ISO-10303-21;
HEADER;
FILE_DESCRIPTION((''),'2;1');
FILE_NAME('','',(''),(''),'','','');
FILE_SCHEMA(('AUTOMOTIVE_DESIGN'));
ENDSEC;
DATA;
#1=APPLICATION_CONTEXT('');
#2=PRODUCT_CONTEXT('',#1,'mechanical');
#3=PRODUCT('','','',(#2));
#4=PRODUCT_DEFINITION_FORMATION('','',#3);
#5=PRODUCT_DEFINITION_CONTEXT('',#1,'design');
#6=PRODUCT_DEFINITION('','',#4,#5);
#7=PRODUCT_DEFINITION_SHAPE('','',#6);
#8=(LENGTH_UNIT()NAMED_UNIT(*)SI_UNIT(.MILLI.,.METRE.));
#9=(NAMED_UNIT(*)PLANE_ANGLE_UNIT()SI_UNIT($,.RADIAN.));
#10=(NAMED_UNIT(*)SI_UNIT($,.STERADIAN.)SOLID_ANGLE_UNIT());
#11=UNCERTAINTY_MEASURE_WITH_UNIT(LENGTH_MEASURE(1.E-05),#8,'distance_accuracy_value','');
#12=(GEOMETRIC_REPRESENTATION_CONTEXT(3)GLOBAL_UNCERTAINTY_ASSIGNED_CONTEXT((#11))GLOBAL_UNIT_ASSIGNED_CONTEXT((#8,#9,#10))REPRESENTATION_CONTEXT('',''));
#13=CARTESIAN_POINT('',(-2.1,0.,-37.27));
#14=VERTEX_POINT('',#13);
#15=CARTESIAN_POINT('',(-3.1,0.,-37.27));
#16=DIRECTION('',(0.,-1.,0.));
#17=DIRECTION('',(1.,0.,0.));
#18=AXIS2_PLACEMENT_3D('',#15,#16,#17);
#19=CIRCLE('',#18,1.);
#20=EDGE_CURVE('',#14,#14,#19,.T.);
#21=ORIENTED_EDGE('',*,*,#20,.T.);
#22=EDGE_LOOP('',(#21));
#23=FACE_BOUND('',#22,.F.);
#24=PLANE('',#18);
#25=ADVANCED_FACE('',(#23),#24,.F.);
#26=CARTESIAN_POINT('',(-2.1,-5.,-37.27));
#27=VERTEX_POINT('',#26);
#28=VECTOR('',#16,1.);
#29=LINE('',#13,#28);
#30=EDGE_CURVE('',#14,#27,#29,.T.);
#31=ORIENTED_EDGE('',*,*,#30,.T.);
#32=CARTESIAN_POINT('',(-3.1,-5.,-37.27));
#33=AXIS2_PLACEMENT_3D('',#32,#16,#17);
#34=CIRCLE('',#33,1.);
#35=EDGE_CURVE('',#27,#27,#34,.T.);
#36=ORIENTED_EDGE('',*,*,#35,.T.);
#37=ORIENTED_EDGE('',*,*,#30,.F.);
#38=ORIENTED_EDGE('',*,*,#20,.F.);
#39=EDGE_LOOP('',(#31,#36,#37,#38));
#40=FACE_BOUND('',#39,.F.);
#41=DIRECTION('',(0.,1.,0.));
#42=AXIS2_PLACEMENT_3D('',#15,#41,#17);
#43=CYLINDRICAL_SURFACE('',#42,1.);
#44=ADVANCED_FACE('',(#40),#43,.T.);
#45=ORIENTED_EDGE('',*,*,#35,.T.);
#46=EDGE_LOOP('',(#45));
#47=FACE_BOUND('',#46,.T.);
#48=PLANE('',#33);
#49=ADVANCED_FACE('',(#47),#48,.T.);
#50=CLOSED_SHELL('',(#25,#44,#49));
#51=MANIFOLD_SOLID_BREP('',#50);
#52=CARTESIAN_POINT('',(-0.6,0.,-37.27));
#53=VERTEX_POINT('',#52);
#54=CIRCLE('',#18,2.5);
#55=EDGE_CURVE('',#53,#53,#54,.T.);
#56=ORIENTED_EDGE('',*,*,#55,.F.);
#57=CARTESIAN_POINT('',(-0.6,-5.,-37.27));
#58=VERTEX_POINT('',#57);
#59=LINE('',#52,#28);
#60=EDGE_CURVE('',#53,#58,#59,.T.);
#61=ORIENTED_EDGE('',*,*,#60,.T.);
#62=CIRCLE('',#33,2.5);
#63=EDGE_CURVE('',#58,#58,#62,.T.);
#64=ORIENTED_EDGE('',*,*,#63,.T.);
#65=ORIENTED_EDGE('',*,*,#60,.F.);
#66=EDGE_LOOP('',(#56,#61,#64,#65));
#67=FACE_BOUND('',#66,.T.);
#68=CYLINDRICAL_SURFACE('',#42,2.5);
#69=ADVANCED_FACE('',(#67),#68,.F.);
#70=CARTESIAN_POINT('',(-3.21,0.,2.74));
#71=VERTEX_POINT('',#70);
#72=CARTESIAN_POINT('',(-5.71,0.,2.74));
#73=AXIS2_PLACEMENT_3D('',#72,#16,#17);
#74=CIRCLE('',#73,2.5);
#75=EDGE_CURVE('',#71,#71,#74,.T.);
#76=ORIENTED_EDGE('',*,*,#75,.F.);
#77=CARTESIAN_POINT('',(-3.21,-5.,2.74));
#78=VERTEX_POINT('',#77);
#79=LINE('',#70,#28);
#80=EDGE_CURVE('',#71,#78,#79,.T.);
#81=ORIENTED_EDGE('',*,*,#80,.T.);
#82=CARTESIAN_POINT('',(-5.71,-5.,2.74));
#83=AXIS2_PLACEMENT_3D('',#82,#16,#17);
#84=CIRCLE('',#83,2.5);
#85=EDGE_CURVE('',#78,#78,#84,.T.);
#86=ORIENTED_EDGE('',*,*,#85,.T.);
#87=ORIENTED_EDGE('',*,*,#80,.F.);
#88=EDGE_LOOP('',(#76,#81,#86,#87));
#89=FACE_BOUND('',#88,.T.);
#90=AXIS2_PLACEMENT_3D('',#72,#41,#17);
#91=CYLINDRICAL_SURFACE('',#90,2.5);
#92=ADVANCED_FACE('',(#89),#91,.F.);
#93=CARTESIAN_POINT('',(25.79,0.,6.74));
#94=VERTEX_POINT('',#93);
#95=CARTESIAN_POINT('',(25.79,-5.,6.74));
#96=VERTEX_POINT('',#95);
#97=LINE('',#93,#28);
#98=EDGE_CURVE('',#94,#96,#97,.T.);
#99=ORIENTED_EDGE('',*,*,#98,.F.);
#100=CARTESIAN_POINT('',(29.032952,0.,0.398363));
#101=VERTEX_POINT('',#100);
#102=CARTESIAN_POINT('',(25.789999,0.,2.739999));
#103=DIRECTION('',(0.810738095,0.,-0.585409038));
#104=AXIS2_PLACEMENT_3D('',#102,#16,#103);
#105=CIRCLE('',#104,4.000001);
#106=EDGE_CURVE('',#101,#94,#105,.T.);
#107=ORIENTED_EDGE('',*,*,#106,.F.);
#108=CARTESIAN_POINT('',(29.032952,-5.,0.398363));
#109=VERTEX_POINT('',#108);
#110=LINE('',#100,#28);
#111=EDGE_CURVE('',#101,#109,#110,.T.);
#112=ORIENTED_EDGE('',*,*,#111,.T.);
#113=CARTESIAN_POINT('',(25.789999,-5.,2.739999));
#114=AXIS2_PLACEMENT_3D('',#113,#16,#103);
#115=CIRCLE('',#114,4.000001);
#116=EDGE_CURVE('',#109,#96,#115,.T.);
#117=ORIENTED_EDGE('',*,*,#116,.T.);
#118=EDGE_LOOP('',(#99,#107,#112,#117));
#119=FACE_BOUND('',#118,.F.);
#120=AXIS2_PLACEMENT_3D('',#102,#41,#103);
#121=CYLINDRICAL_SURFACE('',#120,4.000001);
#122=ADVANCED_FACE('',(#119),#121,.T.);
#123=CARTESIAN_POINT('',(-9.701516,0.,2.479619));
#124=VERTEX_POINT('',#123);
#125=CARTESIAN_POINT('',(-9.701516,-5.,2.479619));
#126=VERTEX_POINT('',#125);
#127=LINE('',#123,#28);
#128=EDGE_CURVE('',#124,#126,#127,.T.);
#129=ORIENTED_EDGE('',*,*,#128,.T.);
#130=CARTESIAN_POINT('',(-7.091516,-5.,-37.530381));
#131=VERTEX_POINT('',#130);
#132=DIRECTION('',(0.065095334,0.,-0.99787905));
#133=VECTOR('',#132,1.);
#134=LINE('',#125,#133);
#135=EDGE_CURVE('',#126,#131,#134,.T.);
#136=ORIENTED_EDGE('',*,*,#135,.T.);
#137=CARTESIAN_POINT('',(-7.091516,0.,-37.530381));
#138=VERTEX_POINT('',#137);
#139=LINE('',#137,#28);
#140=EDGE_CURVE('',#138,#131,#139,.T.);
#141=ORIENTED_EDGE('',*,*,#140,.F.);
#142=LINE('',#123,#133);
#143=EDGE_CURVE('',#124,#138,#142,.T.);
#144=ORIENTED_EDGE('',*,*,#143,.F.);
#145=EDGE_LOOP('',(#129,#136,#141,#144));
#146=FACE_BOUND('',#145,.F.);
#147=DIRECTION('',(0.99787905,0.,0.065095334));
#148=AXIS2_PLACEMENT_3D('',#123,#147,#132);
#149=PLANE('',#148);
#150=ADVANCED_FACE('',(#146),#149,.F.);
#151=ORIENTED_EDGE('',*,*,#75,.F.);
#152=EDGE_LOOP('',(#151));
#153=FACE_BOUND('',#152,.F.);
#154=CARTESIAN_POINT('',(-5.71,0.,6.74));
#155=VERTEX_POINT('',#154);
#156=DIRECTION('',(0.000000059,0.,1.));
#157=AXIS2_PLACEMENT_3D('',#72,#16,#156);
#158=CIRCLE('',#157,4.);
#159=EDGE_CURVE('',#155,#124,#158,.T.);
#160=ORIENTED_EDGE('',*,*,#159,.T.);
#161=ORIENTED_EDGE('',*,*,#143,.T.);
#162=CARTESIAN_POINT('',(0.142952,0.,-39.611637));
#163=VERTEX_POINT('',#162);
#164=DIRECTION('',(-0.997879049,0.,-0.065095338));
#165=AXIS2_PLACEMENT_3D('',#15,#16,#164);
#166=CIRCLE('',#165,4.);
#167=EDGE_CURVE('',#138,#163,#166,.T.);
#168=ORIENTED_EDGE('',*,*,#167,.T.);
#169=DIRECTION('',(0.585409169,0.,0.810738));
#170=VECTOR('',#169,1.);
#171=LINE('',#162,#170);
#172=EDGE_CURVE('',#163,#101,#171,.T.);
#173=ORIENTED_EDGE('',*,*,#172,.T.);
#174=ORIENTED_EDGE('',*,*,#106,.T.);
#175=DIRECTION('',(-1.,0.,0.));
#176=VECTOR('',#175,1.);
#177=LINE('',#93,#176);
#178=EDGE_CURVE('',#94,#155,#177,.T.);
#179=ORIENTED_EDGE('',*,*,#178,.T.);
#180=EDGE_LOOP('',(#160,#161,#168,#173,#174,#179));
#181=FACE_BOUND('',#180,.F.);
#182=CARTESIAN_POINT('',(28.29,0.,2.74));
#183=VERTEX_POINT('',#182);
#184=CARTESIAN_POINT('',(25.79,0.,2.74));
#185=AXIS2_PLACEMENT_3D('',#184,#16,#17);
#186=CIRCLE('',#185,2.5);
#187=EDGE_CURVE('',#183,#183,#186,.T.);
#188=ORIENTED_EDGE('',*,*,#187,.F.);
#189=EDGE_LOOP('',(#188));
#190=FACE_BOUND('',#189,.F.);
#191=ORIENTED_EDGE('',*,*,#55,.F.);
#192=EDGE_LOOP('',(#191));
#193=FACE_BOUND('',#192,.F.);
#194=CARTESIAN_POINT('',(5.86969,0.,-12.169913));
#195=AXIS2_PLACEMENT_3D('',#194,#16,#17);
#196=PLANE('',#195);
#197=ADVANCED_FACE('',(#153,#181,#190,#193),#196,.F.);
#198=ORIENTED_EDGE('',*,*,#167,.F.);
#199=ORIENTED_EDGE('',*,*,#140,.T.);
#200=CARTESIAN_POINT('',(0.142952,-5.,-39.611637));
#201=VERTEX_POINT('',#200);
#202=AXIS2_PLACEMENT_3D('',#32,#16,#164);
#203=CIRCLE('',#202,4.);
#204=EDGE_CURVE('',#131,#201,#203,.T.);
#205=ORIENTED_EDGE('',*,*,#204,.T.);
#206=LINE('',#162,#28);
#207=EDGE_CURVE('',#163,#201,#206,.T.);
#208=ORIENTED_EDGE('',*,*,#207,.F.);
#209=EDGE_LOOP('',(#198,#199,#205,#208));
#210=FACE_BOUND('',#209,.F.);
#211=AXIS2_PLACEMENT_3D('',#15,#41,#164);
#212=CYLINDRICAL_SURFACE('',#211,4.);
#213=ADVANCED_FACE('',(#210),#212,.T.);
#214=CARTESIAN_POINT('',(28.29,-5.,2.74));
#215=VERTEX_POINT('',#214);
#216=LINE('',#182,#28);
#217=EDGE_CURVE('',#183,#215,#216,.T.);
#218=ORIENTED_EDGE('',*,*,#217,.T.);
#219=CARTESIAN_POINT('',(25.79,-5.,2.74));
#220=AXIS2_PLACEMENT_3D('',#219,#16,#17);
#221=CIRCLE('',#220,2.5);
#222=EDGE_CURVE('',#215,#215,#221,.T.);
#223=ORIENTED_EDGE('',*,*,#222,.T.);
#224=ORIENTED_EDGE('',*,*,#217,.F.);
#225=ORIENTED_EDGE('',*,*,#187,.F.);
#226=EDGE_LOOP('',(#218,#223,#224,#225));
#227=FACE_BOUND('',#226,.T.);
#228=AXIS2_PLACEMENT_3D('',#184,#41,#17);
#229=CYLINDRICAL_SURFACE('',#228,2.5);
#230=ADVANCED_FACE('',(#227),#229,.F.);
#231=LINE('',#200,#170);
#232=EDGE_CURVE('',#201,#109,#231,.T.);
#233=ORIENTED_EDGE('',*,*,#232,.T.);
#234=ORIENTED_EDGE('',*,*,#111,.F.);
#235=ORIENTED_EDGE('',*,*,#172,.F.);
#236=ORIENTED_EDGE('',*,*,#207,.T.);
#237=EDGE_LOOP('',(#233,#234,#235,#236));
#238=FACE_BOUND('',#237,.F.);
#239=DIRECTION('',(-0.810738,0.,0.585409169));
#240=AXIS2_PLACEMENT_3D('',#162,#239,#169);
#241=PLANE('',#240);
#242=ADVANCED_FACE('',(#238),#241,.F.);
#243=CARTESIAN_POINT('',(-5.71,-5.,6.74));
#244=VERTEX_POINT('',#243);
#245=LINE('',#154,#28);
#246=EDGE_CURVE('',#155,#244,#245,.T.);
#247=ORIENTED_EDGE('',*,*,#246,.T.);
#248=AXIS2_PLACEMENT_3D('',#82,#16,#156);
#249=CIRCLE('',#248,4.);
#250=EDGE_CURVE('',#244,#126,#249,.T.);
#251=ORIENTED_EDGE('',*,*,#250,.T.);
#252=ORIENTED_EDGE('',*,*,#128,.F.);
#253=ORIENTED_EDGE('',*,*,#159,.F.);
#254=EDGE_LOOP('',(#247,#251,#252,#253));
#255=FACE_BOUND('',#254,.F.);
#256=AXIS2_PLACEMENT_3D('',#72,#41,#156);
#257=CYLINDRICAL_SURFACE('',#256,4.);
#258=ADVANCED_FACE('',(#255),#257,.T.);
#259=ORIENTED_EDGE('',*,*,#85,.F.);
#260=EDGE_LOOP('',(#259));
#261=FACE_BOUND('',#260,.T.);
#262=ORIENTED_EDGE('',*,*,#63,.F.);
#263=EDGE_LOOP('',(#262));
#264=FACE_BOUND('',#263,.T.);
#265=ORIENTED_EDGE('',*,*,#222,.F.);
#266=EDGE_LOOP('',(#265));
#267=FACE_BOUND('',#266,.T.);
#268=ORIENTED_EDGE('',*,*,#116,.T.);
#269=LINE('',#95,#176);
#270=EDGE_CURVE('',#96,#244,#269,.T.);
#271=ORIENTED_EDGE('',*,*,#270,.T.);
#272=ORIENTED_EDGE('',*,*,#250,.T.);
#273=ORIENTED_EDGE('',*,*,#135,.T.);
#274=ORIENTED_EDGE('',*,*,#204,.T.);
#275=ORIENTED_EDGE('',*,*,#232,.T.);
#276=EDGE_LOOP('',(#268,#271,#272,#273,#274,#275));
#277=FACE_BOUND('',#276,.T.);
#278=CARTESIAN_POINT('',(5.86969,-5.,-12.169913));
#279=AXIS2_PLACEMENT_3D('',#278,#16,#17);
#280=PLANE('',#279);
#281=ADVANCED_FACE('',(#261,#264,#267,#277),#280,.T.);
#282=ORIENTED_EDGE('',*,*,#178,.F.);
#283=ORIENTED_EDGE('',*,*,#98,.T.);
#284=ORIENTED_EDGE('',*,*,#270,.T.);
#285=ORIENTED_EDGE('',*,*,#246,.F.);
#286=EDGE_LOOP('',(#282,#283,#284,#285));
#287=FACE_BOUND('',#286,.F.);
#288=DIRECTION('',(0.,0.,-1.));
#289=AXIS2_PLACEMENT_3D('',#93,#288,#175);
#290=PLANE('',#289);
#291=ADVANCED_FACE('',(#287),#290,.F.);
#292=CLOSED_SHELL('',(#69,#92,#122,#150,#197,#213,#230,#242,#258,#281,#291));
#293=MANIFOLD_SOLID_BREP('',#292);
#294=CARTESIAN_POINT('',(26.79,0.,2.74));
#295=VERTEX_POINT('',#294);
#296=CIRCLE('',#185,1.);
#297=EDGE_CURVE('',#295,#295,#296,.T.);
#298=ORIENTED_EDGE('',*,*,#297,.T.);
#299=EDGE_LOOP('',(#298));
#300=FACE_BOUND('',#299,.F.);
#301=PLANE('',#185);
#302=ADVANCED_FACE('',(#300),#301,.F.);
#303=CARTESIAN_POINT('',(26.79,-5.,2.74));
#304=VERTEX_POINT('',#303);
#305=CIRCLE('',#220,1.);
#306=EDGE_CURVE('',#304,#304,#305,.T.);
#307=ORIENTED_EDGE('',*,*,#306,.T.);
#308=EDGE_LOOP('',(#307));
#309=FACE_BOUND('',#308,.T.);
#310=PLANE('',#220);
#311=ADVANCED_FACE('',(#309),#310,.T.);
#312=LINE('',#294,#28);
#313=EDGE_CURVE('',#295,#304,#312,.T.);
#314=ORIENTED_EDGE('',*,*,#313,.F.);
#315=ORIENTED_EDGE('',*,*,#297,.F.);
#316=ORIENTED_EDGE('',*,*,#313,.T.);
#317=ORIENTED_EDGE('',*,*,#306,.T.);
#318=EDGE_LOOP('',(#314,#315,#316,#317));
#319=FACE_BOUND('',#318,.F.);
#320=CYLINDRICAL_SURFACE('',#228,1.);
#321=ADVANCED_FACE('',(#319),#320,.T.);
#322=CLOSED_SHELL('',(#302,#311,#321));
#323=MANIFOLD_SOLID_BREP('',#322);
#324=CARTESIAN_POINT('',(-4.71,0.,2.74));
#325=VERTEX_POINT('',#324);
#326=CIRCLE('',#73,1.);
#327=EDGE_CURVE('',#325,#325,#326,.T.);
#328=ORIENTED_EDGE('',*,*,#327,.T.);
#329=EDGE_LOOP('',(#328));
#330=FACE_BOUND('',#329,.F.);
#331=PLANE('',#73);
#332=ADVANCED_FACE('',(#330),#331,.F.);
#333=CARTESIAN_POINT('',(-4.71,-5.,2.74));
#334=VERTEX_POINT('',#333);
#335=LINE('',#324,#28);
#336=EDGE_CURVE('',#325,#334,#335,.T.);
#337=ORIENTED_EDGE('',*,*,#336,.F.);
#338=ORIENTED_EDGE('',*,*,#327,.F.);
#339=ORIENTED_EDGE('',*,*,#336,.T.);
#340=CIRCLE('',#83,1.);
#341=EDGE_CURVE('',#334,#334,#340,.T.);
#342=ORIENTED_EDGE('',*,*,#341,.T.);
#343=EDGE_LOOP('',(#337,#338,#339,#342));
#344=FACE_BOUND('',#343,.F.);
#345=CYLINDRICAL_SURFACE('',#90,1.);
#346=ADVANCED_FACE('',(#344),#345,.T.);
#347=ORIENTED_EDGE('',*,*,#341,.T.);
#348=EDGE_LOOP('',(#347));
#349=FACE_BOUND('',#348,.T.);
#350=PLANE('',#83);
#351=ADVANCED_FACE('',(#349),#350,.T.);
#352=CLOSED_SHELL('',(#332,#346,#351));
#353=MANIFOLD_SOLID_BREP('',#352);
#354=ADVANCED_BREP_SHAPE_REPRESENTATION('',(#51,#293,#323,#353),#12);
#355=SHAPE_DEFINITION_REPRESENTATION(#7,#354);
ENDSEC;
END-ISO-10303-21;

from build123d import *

# Parameters (mm, degrees)
F0_R     = 2.5
F0_R_2   = 1
F1_DEPTH = 5


with BuildPart() as f1:
    # F0 (on Front) → F1 (new body)
    with BuildSketch(Plane.XZ):
        with BuildLine():
            Line((25.79, 6.74), (-5.71, 6.74))
            ThreePointArc((-5.71, 6.74), (-8.629035, 5.474819), (-9.701516, 2.479619))
            Line((-9.701516, 2.479619), (-7.091516, -37.530381))
            ThreePointArc((-7.091516, -37.530381), (-4.20589, -41.114087), (0.142952, -39.611637))
            Line((0.142952, -39.611637), (29.032952, 0.398363))
            ThreePointArc((29.032952, 0.398363), (29.351358, 4.561188), (25.79, 6.74))
        make_face()
        with Locations((-3.1, -37.27)):
            Circle(F0_R, mode=Mode.SUBTRACT)
        with Locations((-5.71, 2.74)):
            Circle(F0_R, mode=Mode.SUBTRACT)
        with Locations((25.79, 2.74)):
            Circle(F0_R, mode=Mode.SUBTRACT)
        with Locations((-5.71, 2.74)):
            Circle(F0_R_2)
        with Locations((25.79, 2.74)):
            Circle(F0_R_2)
        with Locations((-3.1, -37.27)):
            Circle(F0_R_2)
    extrude(amount=F1_DEPTH)


solid = f1.part
